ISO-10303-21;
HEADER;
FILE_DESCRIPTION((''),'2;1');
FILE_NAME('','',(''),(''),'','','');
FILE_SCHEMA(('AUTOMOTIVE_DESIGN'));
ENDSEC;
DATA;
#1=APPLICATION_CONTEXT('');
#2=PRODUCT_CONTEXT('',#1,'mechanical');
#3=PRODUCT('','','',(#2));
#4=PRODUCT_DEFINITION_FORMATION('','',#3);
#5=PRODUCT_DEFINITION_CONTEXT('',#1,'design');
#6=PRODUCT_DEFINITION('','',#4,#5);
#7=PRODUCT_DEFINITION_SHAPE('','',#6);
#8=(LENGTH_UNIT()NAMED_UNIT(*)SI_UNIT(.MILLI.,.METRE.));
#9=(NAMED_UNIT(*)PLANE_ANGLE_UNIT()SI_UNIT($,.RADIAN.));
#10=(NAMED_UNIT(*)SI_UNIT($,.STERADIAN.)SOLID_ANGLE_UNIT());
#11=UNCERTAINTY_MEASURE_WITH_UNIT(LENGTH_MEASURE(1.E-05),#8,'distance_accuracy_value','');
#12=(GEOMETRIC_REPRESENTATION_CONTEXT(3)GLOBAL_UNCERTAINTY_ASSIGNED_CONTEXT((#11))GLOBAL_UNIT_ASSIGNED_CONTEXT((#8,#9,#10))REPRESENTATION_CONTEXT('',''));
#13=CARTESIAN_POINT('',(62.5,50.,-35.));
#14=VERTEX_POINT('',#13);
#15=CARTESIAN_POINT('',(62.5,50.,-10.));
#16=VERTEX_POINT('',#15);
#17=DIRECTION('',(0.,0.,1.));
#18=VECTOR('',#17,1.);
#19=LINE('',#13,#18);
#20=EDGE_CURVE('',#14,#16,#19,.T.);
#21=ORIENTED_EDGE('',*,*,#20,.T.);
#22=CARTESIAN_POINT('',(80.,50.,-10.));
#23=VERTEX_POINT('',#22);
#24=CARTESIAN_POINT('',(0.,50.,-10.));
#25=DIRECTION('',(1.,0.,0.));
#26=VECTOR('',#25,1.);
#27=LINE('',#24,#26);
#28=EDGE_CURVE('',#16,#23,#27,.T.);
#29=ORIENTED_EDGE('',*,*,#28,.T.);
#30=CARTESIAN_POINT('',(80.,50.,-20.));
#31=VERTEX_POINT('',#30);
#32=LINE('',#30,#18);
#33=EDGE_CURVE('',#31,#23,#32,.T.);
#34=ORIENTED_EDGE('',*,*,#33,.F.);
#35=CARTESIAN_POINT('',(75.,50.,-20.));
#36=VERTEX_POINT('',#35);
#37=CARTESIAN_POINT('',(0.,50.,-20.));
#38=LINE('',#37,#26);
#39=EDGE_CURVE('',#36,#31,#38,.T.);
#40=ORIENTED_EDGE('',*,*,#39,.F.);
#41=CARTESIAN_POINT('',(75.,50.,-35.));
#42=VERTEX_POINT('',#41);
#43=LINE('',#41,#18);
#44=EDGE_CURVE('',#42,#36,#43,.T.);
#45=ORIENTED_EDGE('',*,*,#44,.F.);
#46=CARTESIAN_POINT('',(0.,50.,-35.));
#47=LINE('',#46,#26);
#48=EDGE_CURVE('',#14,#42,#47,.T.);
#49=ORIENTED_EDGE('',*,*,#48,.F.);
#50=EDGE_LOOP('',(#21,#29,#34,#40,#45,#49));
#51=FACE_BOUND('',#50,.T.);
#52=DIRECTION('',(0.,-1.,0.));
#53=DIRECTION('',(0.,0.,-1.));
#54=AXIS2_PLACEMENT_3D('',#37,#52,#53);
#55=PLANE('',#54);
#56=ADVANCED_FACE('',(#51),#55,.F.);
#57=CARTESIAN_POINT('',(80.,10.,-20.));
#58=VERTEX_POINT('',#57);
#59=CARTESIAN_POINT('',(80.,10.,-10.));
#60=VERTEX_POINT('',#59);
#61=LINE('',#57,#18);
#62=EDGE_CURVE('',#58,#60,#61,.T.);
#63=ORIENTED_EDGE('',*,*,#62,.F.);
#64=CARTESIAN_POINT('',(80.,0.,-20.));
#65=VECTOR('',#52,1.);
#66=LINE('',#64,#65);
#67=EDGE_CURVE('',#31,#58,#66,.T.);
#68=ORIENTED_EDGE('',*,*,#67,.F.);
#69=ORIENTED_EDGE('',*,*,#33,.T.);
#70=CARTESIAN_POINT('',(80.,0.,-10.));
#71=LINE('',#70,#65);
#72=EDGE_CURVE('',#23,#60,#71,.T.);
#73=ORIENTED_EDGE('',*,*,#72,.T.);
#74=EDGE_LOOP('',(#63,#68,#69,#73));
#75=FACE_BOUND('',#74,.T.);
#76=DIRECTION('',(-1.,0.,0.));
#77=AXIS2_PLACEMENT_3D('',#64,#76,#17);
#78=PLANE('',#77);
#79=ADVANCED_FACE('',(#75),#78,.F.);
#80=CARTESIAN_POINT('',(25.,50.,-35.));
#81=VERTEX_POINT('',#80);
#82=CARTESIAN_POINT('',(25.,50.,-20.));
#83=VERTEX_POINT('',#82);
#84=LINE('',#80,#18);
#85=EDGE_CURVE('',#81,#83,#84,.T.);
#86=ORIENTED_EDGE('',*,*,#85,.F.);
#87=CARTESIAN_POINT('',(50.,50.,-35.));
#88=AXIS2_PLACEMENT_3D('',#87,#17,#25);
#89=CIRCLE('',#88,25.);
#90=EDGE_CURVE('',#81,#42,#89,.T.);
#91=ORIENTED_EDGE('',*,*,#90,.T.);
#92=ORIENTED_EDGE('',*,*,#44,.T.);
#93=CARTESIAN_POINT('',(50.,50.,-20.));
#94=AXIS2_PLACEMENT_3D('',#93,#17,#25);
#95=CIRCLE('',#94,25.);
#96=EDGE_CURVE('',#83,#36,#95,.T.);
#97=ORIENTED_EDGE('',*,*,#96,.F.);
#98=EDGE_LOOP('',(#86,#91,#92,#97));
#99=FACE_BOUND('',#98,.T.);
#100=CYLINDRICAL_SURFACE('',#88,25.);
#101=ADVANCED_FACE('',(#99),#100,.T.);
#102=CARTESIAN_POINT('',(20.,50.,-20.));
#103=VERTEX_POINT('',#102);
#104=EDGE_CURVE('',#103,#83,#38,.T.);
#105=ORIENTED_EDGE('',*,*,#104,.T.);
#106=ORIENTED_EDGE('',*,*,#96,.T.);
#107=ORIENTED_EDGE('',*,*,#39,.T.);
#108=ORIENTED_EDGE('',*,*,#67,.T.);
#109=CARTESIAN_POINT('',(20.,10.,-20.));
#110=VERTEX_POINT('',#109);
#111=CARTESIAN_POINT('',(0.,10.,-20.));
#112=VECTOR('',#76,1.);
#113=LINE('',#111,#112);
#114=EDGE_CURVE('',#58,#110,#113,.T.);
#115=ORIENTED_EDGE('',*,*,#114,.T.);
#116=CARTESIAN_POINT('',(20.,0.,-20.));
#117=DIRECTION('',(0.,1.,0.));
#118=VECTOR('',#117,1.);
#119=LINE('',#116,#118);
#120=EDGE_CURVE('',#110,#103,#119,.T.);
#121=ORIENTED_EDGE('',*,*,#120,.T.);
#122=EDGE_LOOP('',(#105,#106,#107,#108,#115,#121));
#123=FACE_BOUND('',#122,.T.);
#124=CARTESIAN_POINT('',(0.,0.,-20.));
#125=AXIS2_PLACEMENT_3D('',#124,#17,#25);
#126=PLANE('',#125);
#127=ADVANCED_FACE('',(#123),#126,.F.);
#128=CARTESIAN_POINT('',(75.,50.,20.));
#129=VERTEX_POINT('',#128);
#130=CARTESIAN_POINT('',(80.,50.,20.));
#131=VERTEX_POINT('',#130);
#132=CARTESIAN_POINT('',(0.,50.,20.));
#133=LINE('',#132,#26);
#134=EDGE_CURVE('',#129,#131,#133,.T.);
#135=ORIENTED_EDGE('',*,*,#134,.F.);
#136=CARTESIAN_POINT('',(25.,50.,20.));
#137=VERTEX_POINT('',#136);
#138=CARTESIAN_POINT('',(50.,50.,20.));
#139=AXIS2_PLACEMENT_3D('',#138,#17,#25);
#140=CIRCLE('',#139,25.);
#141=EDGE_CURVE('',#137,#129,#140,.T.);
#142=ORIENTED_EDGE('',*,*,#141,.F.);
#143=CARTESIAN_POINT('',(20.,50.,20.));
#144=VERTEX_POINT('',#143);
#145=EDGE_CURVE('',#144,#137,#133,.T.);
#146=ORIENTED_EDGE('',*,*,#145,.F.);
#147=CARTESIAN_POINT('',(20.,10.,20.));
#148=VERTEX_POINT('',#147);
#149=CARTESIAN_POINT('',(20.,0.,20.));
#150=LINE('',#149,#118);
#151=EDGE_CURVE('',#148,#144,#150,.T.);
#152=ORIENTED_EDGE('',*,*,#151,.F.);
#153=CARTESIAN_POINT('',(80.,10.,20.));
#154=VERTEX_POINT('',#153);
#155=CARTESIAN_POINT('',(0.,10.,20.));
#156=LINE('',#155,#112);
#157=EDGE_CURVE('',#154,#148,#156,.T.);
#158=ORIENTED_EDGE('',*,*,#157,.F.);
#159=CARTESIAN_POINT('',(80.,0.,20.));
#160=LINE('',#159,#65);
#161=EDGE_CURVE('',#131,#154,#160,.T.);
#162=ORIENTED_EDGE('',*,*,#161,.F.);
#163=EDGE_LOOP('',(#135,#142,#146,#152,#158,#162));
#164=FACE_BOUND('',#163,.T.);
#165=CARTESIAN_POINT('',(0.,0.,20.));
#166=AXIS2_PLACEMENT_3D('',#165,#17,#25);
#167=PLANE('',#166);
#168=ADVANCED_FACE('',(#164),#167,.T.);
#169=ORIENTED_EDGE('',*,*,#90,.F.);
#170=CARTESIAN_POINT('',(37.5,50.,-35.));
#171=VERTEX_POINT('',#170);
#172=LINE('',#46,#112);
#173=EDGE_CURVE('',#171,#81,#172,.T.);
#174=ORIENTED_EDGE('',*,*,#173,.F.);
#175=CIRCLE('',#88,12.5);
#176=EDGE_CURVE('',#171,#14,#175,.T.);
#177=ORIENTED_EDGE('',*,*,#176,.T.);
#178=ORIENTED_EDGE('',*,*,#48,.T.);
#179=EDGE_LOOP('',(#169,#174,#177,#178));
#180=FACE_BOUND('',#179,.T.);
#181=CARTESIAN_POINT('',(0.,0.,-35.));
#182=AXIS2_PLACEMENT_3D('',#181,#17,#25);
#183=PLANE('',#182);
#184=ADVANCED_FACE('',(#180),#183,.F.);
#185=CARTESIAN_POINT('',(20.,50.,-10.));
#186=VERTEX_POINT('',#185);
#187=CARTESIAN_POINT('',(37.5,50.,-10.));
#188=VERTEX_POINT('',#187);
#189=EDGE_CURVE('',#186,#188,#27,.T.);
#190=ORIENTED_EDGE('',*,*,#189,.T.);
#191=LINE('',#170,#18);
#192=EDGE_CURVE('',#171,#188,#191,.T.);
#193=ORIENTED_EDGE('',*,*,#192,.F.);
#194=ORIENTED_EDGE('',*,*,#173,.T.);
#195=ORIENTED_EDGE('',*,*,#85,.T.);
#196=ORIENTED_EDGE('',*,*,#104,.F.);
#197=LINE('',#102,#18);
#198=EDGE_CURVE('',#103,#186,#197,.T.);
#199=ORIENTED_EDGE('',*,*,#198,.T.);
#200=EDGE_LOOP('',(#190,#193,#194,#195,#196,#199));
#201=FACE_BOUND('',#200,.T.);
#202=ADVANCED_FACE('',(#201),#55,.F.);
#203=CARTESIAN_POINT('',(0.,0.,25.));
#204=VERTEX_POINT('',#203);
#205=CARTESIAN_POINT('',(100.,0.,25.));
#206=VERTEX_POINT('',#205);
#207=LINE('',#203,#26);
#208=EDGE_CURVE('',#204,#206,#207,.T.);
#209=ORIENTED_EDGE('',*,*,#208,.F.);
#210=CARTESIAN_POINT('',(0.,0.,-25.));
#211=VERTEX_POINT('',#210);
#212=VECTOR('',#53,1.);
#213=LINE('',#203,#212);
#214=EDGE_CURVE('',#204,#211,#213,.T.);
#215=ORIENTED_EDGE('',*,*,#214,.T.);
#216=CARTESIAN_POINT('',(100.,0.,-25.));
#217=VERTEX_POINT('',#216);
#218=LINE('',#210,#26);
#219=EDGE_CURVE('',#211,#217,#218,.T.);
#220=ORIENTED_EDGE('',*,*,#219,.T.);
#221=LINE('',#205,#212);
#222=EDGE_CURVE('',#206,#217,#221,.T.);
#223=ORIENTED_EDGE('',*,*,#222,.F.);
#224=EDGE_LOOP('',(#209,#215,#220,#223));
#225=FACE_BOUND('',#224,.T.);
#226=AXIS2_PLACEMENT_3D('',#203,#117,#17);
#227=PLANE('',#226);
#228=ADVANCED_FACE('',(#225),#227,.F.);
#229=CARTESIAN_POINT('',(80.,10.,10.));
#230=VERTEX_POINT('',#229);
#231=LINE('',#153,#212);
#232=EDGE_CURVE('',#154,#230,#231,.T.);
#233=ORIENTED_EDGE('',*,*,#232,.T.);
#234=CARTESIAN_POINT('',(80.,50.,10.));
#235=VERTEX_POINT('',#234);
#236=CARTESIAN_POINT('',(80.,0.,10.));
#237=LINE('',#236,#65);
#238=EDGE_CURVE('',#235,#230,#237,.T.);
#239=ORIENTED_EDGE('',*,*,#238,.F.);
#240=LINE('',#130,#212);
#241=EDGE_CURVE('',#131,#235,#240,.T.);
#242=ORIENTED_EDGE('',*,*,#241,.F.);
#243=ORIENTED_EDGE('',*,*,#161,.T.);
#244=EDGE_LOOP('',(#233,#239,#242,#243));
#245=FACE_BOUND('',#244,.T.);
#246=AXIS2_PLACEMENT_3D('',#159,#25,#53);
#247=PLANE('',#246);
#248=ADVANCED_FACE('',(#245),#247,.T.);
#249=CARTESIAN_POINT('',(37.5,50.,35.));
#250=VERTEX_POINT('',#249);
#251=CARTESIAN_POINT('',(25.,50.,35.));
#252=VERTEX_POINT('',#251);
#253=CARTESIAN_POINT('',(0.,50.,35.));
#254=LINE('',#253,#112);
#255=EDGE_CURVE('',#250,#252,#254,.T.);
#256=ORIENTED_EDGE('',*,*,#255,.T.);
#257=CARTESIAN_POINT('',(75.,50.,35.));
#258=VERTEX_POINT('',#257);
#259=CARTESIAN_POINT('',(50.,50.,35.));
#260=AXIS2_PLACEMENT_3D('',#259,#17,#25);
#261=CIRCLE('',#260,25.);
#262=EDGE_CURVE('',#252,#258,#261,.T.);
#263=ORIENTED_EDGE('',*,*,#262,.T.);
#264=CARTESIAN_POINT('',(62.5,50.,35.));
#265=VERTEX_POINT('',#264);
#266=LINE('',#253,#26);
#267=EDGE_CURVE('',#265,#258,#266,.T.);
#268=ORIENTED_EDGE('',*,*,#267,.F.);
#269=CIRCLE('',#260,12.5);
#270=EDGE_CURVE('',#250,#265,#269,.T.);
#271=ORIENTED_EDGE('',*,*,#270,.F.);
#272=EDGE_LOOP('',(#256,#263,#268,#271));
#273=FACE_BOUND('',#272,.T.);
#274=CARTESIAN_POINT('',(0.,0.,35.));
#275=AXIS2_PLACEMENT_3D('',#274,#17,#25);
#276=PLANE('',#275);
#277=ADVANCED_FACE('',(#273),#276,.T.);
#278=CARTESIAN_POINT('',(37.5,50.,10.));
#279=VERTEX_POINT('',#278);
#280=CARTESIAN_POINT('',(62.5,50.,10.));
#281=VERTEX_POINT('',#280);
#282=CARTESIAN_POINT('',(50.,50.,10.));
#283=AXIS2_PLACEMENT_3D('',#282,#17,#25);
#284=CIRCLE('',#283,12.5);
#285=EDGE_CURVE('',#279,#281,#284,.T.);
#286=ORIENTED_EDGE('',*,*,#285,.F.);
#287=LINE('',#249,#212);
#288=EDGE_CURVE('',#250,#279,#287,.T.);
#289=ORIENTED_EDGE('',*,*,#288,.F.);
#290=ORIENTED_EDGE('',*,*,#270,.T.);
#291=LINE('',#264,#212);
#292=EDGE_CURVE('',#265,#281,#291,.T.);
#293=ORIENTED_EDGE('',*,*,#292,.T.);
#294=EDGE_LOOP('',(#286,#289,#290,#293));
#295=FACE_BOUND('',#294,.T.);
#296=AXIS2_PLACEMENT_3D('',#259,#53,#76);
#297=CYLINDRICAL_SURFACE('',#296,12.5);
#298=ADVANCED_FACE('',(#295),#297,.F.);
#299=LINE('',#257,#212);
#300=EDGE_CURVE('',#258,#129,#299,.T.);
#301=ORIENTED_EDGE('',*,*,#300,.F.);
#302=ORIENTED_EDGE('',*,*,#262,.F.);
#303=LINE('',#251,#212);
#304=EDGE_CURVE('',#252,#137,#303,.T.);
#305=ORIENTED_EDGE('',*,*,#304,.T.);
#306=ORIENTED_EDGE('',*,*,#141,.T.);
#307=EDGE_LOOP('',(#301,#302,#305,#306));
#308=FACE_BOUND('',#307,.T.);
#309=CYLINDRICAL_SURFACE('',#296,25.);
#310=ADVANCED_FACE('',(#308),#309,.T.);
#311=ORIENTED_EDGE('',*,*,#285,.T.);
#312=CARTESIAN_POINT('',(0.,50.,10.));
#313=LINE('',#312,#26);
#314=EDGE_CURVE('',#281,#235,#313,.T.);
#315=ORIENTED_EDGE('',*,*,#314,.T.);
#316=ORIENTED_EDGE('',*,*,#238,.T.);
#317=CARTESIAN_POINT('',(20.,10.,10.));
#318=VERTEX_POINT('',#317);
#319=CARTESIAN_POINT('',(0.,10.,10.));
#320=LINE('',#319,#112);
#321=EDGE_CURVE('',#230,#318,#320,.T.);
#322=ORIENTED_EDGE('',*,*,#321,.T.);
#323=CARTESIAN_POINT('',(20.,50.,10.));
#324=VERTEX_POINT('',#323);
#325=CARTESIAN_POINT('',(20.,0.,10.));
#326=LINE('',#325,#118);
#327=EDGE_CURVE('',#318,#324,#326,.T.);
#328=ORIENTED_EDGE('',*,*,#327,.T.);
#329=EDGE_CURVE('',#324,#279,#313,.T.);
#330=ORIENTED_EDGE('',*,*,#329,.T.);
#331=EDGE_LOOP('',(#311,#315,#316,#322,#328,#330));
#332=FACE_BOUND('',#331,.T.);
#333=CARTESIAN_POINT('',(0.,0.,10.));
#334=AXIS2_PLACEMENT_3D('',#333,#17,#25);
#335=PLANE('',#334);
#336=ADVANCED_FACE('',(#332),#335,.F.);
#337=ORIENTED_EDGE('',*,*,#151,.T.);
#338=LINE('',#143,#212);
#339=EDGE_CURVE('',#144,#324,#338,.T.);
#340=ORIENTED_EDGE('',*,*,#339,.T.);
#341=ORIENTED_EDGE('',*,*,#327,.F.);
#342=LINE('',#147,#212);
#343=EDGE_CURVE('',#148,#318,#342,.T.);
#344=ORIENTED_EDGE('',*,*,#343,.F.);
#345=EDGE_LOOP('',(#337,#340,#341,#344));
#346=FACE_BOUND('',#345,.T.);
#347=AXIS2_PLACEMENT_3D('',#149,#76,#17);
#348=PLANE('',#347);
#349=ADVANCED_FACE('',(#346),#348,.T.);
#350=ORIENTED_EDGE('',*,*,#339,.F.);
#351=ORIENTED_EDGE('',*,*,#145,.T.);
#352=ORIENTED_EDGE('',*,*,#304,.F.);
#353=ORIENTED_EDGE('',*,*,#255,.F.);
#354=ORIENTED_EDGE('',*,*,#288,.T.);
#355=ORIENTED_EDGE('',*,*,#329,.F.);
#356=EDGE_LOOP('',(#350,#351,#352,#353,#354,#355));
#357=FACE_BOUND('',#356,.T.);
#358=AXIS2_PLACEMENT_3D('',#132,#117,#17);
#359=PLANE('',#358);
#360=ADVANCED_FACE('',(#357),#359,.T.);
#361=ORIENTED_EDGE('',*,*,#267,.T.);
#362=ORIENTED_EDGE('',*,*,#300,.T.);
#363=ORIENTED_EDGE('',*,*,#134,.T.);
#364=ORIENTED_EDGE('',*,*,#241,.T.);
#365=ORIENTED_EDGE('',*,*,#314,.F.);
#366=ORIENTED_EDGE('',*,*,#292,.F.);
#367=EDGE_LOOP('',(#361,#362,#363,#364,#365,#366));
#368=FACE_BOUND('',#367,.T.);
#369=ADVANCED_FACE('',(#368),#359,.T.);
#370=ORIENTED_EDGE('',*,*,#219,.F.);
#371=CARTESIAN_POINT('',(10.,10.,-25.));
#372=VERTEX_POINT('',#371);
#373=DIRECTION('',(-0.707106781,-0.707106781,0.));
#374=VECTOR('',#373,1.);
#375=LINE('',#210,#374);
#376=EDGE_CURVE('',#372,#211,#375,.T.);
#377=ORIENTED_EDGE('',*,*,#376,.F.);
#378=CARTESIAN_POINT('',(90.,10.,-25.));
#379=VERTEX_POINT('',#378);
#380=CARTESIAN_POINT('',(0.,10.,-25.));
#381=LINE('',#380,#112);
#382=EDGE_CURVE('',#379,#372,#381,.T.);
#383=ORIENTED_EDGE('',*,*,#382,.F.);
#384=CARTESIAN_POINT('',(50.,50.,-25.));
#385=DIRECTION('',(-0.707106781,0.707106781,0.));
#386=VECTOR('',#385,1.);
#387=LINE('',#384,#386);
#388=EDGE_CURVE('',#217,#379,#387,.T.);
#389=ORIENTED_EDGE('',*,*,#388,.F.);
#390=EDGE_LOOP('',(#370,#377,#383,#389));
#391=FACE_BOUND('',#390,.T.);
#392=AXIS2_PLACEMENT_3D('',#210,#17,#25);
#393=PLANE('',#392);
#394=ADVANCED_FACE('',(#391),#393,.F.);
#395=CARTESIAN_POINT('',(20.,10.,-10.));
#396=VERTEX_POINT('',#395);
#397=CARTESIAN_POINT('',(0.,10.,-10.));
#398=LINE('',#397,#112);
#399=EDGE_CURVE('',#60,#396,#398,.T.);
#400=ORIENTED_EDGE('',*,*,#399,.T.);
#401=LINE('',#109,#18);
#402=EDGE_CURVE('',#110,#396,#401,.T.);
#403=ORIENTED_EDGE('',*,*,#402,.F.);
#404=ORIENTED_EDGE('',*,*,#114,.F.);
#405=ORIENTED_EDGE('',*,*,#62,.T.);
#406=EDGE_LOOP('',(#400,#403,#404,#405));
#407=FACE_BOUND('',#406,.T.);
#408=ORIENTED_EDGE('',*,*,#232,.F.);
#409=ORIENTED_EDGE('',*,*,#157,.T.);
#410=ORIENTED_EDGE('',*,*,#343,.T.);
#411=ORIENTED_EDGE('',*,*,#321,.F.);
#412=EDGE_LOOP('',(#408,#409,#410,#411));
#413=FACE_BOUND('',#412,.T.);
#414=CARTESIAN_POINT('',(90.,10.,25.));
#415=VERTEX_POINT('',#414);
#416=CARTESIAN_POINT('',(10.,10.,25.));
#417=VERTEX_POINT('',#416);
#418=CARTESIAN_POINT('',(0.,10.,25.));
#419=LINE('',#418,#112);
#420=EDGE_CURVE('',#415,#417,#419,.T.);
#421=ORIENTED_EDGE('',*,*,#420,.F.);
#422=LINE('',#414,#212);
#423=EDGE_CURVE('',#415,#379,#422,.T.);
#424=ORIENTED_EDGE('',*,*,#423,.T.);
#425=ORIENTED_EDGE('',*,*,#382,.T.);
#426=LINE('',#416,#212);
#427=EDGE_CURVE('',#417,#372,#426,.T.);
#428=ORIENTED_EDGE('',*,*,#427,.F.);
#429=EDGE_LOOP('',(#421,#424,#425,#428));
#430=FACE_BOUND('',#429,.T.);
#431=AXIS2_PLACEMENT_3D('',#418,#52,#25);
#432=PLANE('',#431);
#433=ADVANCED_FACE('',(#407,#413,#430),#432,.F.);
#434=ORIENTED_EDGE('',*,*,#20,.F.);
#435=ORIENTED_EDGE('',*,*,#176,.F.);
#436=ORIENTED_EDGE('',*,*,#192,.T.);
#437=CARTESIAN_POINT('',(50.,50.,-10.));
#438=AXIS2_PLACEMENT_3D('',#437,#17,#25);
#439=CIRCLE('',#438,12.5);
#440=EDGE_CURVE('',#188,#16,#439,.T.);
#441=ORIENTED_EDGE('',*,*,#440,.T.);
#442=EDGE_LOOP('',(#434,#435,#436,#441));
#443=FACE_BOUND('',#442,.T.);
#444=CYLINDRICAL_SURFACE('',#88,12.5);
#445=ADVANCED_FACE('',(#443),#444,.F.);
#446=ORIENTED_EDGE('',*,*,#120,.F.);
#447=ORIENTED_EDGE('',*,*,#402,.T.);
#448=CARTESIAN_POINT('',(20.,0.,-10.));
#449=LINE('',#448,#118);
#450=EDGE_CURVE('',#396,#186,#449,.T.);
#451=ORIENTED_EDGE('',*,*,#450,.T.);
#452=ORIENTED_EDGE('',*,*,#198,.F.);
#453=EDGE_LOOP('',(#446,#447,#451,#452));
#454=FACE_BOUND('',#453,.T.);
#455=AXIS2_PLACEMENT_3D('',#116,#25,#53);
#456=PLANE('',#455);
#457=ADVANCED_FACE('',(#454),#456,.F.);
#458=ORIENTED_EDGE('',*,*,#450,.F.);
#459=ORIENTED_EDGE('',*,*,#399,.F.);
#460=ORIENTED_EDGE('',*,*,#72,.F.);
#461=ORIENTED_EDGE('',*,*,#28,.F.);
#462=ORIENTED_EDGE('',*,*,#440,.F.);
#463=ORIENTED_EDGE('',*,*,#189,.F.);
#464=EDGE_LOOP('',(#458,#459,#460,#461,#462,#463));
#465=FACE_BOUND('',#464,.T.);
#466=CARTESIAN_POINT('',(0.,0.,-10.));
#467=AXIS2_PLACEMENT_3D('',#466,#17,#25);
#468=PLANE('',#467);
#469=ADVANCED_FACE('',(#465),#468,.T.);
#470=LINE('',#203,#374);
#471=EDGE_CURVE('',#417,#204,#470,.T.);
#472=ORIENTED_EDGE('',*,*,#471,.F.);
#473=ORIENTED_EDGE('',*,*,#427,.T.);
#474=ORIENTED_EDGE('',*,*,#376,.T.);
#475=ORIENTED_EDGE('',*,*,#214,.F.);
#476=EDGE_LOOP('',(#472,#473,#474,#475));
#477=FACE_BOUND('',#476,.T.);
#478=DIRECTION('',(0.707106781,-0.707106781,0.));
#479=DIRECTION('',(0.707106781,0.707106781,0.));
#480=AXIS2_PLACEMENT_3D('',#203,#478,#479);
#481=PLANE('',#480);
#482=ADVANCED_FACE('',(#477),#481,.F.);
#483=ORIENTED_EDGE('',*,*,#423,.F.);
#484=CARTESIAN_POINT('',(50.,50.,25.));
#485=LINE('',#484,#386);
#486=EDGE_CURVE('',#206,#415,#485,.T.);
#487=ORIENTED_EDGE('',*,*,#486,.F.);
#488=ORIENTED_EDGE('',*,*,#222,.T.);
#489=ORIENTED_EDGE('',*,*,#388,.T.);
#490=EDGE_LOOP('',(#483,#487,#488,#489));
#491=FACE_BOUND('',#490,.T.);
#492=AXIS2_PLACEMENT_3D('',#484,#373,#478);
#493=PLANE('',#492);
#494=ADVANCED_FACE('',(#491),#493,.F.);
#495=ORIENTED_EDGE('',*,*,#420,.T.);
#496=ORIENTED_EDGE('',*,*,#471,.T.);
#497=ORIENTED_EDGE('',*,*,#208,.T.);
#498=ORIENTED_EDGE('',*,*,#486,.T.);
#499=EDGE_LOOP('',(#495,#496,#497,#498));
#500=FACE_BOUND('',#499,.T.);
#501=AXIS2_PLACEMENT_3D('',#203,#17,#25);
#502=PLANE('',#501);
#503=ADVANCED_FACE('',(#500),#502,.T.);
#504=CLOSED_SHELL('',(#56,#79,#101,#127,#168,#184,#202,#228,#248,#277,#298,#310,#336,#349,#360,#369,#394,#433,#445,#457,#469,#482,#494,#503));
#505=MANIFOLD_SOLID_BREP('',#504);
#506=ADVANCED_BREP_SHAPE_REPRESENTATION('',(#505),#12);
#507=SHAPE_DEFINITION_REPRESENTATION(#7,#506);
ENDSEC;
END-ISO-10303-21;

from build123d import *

# Parameters (mm, degrees)
BOSS_EXTRUDE1_DEPTH = 25
BOSS_EXTRUDE2_START = 10
BOSS_EXTRUDE2_DEPTH = 10
BOSS_EXTRUDE3_START = -20
BOSS_EXTRUDE3_DEPTH = 10
BOSS_EXTRUDE4_START = -35
BOSS_EXTRUDE4_DEPTH = 25
BOSS_EXTRUDE5_START = 10
BOSS_EXTRUDE5_DEPTH = 25


with BuildPart() as part:
    # Sketch1 → Boss-Extrude1 (new, symmetric)
    with BuildSketch(Plane.XY):
        Polygon((50, 10), (50, 0), (100, 0), (90, 10), (80, 10), align=None)
        Polygon((10, 10), (0, 0), (50, 0), (50, 10), (20, 10), align=None)
    extrude(amount=BOSS_EXTRUDE1_DEPTH, both=True)

    # Sketch1<3> → Boss-Extrude2 (add)
    with BuildSketch(Plane.XY.offset(BOSS_EXTRUDE2_START)):
        with BuildLine():
            Line((50, 25), (50, 10))
            Line((50, 10), (80, 10))
            Line((80, 10), (80, 50))
            Line((80, 50), (75, 50))
            ThreePointArc((75, 50), (67.67766953, 32.32233047), (50, 25))
        make_face()
        with BuildLine():
            Line((20, 10), (50, 10))
            Line((50, 10), (50, 25))
            ThreePointArc((50, 25), (32.32233047, 32.32233047), (25, 50))
            Line((25, 50), (20, 50))
            Line((20, 50), (20, 10))
        make_face()
    extrude(amount=BOSS_EXTRUDE2_DEPTH)

    # Sketch1<4> → Boss-Extrude3 (add)
    with BuildSketch(Plane.XY.offset(BOSS_EXTRUDE3_START)):
        with BuildLine():
            Line((50, 25), (50, 10))
            Line((50, 10), (80, 10))
            Line((80, 10), (80, 50))
            Line((80, 50), (75, 50))
            ThreePointArc((75, 50), (67.67766953, 32.32233047), (50, 25))
        make_face()
        with BuildLine():
            Line((20, 10), (50, 10))
            Line((50, 10), (50, 25))
            ThreePointArc((50, 25), (32.32233047, 32.32233047), (25, 50))
            Line((25, 50), (20, 50))
            Line((20, 50), (20, 10))
        make_face()
    extrude(amount=BOSS_EXTRUDE3_DEPTH)

    # Sketch1<5> → Boss-Extrude4 (add)
    with BuildSketch(Plane.XY.offset(BOSS_EXTRUDE4_START)):
        with BuildLine():
            Line((37.5, 50), (25, 50))
            ThreePointArc((25, 50), (50, 25), (75, 50))
            Line((75, 50), (62.5, 50))
            ThreePointArc((62.5, 50), (50, 37.5), (37.5, 50))
        make_face()
    extrude(amount=BOSS_EXTRUDE4_DEPTH)

    # Sketch1<6> → Boss-Extrude5 (add)
    with BuildSketch(Plane.XY.offset(BOSS_EXTRUDE5_START)):
        with BuildLine():
            Line((37.5, 50), (25, 50))
            ThreePointArc((25, 50), (50, 25), (75, 50))
            Line((75, 50), (62.5, 50))
            ThreePointArc((62.5, 50), (50, 37.5), (37.5, 50))
        make_face()
    extrude(amount=BOSS_EXTRUDE5_DEPTH)


solid = part.part
